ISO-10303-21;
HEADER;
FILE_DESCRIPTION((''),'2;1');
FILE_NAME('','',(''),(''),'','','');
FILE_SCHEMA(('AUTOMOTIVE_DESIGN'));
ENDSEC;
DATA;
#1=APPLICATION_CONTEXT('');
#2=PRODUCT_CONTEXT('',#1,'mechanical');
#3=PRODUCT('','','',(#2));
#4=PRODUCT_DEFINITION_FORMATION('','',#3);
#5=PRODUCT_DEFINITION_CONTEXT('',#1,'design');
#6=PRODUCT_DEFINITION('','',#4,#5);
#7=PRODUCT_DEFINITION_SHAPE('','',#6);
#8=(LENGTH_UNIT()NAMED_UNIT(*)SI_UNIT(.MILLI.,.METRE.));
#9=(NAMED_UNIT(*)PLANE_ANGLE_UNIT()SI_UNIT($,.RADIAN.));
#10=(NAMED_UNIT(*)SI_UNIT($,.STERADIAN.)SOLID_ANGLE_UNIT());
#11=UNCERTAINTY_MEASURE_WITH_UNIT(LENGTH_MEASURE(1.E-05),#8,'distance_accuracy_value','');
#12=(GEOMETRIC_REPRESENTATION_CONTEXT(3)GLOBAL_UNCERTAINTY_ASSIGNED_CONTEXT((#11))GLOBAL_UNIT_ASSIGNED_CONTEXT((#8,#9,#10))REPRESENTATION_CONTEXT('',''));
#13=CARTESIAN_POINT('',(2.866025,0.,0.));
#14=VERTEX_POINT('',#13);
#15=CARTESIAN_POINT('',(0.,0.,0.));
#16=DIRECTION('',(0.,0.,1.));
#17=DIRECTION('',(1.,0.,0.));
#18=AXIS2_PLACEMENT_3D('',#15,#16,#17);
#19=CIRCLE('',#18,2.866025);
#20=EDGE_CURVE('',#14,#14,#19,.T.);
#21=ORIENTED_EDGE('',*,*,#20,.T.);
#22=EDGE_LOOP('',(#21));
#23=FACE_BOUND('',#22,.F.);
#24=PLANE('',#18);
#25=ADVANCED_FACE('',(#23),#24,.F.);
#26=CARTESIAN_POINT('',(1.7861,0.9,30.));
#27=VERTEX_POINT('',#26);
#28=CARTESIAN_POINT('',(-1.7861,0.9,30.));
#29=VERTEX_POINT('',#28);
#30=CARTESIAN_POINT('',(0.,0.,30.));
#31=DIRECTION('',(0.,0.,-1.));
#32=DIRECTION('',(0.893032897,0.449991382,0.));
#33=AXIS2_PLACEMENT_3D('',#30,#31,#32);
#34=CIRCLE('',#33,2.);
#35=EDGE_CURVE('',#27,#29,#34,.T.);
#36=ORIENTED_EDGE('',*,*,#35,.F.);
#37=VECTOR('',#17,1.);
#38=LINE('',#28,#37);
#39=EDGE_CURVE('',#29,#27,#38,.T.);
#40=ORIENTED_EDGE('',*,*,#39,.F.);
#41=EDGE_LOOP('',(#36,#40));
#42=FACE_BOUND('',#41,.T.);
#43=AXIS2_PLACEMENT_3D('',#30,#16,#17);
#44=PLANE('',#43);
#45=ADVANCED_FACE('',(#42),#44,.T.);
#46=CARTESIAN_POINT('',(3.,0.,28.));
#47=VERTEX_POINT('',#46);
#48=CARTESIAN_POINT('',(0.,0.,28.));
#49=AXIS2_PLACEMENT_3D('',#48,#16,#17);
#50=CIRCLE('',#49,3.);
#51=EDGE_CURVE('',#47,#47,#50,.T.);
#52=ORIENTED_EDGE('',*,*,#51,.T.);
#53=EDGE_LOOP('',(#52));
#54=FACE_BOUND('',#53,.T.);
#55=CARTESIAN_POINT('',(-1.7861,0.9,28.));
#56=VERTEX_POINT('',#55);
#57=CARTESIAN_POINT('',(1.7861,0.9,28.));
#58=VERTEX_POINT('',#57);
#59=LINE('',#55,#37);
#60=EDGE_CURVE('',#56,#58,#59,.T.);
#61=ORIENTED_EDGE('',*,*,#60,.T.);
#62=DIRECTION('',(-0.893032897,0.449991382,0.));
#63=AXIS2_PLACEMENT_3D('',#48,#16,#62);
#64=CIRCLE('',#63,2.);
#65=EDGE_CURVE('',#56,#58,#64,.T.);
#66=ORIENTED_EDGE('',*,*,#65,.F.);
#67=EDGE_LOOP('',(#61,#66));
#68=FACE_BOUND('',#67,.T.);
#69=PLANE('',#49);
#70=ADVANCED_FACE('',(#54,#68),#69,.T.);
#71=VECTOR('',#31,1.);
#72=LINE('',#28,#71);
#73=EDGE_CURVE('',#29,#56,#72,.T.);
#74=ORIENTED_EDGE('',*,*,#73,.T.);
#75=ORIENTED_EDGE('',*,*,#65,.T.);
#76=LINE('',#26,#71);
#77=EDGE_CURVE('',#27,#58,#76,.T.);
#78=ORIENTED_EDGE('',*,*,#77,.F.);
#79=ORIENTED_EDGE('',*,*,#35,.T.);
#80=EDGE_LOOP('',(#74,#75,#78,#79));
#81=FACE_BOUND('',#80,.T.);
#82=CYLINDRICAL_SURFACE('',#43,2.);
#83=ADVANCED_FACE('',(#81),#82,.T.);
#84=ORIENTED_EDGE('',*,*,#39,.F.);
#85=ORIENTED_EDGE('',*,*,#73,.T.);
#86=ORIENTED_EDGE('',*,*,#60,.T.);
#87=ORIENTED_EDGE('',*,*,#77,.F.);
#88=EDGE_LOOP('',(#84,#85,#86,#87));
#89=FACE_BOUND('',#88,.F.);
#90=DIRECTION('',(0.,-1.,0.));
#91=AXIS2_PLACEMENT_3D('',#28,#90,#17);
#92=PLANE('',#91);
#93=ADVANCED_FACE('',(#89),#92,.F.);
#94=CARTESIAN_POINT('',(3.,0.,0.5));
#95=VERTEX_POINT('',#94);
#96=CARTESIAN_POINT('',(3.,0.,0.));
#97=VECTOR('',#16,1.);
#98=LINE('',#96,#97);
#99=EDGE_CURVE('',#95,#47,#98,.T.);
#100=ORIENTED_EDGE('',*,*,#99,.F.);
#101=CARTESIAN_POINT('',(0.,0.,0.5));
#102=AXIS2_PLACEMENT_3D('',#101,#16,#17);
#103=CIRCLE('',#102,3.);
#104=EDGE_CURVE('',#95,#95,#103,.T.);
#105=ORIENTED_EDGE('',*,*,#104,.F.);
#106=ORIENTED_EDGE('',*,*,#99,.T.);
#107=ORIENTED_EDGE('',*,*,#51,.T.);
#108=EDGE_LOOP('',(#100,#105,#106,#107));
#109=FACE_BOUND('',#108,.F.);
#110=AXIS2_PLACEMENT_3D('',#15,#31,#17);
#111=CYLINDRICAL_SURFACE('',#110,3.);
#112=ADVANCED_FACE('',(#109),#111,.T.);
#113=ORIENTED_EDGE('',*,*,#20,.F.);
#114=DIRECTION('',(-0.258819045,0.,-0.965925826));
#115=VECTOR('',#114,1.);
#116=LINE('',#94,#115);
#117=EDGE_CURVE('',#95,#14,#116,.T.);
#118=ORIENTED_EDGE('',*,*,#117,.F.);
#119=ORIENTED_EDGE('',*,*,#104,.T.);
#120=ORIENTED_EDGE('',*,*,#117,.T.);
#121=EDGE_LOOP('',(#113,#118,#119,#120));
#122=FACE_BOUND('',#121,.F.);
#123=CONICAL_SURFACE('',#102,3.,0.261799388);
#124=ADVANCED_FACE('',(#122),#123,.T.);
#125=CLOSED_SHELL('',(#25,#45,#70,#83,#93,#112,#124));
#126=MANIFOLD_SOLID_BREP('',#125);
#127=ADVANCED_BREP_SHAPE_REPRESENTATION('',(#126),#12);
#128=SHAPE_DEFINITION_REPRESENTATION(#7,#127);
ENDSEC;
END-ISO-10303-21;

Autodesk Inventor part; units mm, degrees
ref_plane "YZ Plane" through (0, 0, 0) normal (1, 0, 0) x (0, 1, 0)
ref_plane "XZ Plane" through (0, 0, 0) normal (0, 1, 0) x (-1, 0, 0)
ref_plane "XY Plane" through (0, 0, 0) normal (0, 0, 1) x (1, 0, 0)
sketch "スケッチ1" plane through (0, 0, 0) normal (0, 0, 1) x (1, 0, 0)
  circle A0 centre (0, 0) radius 3
  dimension "d0" = 6
extrude "押し出し1" add sketch "スケッチ1" along normal blind 30
chamfer "面取り1" distance 0.5 angle 15 2 edges at (-3, 0, 0) (-3, 0, 30) measured on face at (2.9903, -0.2414, 20)
sketch "スケッチ2" plane through (0, 0, 30) normal (0, 0, 1) x (1, 0, 0)
  circle A0 centre (0, 0) radius 3 projected
  circle A1 centre (0, 0) radius 2
  line L0 (-1.7861, 0.9) -> (1.7861, 0.9)
  dimension "d7" = 4
  dimension "d8" = 0.9
extrude "押し出し2" cut sketch "スケッチ2" against normal blind 2 contours A0 | L0 A1 picked at (-0.2398, 1.4933)
properties part number "平行ピンD6L30Dcut" material "ステンレス鋼"
